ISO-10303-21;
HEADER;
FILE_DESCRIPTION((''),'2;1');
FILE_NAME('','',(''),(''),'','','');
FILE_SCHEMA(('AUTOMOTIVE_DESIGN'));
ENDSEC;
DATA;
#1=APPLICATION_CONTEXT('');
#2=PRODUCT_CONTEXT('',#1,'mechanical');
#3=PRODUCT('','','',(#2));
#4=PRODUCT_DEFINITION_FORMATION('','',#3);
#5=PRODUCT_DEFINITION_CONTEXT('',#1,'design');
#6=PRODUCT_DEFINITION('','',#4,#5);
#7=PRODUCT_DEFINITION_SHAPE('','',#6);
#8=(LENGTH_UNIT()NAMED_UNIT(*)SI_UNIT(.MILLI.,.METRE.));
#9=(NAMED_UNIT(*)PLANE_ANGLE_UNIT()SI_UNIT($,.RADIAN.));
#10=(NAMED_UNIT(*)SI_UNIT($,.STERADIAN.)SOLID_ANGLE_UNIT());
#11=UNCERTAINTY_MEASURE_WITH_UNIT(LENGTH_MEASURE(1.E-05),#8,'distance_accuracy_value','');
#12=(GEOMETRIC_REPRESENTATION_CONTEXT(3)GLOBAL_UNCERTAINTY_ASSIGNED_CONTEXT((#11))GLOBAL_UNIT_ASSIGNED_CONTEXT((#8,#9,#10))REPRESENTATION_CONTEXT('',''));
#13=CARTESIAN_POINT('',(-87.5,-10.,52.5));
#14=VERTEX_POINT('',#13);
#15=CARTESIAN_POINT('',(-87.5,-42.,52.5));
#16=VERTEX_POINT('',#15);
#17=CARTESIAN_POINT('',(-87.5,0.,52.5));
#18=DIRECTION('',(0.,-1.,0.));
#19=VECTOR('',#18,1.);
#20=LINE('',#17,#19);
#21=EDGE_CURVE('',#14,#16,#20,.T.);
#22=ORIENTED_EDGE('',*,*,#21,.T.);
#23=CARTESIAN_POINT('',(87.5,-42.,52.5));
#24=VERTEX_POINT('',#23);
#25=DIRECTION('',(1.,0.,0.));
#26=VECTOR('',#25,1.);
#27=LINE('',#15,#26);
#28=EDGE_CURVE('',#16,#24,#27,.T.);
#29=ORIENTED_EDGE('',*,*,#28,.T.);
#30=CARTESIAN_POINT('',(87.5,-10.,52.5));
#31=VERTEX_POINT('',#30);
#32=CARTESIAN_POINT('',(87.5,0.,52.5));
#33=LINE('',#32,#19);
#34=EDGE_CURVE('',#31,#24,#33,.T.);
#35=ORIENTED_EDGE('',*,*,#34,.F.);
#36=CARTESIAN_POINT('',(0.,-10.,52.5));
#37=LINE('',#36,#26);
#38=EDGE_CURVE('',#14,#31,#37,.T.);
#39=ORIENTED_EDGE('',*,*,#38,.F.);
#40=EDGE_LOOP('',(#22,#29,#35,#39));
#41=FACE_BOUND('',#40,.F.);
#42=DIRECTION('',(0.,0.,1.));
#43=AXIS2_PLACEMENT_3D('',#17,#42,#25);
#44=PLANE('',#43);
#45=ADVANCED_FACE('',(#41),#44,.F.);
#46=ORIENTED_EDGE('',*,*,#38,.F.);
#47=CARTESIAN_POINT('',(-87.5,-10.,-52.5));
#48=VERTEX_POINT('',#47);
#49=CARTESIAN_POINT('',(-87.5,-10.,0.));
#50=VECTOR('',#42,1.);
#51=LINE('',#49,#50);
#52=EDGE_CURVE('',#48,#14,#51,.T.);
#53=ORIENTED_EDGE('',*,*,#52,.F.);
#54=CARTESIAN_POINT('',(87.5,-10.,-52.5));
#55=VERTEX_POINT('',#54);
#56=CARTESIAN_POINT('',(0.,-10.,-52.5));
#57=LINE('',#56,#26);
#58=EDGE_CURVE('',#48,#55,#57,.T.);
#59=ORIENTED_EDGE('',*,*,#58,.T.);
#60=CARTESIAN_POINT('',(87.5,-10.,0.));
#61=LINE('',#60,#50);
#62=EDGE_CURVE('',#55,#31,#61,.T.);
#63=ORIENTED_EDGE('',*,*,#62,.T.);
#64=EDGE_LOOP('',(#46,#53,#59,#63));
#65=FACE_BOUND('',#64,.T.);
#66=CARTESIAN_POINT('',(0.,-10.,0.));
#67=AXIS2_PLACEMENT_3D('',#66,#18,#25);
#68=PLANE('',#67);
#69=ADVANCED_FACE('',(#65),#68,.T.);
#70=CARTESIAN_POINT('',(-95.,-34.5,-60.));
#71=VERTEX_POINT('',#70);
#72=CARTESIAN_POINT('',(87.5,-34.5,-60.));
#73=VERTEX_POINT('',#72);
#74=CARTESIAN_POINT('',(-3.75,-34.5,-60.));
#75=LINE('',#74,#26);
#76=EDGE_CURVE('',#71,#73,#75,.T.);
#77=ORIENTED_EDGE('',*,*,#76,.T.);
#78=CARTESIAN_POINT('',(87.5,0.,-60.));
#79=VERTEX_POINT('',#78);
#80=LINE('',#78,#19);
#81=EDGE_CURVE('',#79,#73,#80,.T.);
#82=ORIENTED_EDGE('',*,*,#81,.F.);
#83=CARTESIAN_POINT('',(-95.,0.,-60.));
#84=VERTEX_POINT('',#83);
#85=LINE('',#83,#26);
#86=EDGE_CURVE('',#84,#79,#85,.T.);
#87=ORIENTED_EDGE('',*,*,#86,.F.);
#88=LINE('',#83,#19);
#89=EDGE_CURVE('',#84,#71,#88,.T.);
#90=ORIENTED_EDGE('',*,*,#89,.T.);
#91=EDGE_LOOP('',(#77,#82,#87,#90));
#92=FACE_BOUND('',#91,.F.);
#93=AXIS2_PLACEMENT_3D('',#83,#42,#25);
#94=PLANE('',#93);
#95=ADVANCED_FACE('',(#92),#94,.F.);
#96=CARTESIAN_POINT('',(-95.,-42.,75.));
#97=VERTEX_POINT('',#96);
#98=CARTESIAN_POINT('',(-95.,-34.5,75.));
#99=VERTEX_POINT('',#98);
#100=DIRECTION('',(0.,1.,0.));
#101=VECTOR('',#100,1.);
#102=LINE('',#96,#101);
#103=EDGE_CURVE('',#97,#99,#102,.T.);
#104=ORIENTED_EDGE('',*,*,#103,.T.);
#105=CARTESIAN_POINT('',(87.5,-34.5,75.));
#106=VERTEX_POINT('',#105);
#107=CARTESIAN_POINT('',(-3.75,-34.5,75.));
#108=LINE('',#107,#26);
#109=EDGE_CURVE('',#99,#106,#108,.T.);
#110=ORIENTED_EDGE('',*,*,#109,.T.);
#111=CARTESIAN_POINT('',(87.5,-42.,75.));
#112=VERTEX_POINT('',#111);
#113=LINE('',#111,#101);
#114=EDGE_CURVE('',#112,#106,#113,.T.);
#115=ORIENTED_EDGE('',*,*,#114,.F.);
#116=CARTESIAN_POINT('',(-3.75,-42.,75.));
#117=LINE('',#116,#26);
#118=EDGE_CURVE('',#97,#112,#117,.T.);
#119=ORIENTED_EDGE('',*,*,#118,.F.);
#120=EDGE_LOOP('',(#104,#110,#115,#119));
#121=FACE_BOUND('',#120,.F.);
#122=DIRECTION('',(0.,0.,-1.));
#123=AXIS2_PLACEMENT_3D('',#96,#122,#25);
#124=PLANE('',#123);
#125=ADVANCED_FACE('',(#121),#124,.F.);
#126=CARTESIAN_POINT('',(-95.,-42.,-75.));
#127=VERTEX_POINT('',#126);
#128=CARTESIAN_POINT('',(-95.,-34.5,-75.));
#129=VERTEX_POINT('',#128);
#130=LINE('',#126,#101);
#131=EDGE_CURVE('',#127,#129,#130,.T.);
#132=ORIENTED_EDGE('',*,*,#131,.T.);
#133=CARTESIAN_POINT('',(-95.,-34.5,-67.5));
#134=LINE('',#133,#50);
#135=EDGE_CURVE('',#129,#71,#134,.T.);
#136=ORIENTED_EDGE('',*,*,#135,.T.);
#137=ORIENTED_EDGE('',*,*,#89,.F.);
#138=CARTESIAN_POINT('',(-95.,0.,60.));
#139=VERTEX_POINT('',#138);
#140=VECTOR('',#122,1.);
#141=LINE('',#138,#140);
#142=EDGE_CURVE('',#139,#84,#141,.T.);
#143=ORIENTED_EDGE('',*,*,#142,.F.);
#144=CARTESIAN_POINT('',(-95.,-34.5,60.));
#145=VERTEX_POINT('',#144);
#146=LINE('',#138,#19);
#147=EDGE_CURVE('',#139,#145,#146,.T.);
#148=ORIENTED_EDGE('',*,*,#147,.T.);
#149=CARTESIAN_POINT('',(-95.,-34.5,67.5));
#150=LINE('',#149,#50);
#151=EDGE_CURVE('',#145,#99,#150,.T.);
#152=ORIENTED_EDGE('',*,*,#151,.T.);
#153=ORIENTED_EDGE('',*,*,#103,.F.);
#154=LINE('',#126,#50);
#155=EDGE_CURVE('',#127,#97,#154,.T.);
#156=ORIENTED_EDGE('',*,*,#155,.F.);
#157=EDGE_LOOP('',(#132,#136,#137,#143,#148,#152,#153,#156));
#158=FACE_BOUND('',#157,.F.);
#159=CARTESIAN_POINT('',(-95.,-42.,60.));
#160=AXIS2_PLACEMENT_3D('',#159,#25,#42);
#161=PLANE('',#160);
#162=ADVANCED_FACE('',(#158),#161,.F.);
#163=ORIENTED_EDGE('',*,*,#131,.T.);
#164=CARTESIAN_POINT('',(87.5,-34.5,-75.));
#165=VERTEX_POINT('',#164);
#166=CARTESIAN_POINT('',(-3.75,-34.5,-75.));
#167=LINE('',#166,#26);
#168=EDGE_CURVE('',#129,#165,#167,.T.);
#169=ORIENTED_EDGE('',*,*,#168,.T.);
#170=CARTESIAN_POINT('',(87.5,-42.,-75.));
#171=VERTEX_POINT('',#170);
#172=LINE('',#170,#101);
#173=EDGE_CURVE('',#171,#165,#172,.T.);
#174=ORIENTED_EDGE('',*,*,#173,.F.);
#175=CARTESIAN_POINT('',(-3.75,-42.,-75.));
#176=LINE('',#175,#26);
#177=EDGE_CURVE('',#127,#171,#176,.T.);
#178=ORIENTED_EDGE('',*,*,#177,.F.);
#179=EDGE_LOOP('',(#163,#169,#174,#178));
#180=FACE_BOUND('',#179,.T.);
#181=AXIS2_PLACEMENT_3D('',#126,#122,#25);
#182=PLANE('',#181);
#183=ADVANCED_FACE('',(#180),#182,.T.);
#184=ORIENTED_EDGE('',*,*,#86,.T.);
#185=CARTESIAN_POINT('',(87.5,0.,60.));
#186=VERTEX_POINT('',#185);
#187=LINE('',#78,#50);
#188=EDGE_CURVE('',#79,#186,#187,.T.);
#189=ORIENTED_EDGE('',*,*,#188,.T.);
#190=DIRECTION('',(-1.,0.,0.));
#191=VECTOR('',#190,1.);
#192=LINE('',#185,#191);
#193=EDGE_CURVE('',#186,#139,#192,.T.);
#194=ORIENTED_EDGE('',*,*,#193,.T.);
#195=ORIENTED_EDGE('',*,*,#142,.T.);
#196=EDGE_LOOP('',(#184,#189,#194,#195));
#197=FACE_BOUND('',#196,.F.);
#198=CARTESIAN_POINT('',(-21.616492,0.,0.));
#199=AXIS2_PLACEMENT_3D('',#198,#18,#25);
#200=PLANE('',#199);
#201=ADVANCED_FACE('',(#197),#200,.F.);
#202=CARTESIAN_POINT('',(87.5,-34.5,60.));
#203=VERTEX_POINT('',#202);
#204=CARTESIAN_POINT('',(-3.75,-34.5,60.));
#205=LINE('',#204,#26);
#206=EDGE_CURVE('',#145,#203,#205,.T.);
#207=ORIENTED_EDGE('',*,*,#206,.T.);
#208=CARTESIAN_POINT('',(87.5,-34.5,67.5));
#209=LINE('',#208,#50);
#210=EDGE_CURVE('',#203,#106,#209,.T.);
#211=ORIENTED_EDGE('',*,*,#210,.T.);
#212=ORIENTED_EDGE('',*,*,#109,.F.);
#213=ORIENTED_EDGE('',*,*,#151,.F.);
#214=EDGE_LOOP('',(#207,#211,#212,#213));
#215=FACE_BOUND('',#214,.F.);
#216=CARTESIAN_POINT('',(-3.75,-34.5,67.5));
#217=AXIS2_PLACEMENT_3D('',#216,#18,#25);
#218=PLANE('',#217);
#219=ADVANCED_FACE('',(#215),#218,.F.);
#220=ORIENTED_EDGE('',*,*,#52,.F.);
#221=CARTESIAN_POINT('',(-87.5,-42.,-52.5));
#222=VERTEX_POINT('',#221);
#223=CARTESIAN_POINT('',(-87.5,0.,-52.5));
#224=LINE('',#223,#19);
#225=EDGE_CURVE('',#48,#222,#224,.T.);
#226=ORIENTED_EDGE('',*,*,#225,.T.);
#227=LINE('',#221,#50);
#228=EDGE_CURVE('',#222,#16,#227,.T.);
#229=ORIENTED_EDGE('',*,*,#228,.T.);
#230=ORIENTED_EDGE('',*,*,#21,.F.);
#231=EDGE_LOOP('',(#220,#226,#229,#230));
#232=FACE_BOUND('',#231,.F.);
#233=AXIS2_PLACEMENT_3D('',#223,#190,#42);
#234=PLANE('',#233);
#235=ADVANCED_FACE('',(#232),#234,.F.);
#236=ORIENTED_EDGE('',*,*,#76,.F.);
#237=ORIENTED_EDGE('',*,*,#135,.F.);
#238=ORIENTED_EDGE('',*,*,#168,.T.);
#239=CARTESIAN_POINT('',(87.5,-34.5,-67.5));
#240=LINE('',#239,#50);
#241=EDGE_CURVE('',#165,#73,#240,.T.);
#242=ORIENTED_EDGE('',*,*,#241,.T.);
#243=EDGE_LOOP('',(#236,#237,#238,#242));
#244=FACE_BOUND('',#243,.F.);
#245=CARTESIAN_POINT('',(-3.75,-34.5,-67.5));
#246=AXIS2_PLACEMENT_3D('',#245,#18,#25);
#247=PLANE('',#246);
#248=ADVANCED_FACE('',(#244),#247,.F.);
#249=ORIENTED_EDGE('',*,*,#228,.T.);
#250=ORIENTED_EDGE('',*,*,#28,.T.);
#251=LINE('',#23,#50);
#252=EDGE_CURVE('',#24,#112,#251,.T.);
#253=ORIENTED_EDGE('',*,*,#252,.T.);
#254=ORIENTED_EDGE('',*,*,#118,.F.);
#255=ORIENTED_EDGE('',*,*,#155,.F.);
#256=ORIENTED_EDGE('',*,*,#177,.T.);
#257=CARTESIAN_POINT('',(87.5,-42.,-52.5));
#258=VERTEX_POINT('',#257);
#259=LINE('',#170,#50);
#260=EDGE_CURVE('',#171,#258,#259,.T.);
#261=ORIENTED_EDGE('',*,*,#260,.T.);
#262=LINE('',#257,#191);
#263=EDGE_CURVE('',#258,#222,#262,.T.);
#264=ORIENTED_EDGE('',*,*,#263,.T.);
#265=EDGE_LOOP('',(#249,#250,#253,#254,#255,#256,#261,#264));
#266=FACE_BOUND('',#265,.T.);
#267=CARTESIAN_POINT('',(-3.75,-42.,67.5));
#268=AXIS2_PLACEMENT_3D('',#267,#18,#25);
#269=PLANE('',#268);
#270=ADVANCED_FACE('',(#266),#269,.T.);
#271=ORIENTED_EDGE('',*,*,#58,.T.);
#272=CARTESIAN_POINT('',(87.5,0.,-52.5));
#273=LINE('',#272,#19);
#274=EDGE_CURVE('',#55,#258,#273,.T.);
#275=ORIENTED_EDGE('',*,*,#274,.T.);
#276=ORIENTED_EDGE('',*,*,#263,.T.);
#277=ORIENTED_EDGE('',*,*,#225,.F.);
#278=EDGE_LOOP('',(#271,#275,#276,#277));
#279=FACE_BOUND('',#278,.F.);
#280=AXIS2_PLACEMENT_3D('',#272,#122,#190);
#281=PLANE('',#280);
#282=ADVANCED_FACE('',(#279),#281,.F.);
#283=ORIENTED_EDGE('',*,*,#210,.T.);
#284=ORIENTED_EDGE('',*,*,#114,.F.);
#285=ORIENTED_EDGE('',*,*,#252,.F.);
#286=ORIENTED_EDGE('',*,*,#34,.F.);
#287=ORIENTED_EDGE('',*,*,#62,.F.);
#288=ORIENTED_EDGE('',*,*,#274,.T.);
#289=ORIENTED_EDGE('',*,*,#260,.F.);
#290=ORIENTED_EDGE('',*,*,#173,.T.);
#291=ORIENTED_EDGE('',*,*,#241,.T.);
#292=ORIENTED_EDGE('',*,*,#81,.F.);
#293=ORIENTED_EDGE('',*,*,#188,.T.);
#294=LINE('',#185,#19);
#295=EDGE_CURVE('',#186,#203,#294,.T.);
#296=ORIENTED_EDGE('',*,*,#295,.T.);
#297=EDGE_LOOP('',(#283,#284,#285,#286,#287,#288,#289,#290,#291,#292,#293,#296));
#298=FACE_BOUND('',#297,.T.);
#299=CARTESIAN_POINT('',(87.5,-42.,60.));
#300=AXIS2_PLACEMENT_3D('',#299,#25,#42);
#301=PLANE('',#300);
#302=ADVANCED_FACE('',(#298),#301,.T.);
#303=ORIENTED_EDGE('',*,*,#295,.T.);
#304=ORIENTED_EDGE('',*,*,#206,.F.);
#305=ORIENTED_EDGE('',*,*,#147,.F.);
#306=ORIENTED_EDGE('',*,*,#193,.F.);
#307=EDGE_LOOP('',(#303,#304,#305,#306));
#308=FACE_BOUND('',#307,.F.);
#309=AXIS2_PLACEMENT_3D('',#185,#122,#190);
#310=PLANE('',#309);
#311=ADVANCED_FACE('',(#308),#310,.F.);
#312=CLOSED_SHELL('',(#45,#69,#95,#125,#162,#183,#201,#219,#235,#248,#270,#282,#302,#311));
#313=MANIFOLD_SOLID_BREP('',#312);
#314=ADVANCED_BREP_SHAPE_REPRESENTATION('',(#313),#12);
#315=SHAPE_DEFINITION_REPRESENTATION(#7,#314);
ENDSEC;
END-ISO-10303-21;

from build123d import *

# Parameters (mm, degrees)
F0_W     = 175
F0_H     = 105
F1_DEPTH = 10
F2_DEPTH = 42
F3_W     = 182.5
F3_H     = 15
F4_DEPTH = 7.5


with BuildPart() as f1:
    # F0 (on Front) → F1 (new body)
    with BuildSketch(Plane.XZ):
        Rectangle(F0_W, F0_H)
    extrude(amount=F1_DEPTH)

    # F0 (on Front) → F2 (join)
    with BuildSketch(Plane.XZ):
        Polygon((-87.5, 52.5), (87.5, 52.5), (87.5, 60), (-95, 60), (-95, -60), (87.5, -60), (87.5, -52.5), (-87.5, -52.5), align=None)
    extrude(amount=F2_DEPTH)

    # F3 (on face) → F4 (join)
    with BuildSketch(Plane.XZ.offset(42)):
        with Locations((-3.75, 67.5)):
            Rectangle(F3_W, F3_H)
        with Locations((-3.75, -67.5)):
            Rectangle(F3_W, F3_H)
    extrude(amount=-F4_DEPTH)


solid = f1.part
